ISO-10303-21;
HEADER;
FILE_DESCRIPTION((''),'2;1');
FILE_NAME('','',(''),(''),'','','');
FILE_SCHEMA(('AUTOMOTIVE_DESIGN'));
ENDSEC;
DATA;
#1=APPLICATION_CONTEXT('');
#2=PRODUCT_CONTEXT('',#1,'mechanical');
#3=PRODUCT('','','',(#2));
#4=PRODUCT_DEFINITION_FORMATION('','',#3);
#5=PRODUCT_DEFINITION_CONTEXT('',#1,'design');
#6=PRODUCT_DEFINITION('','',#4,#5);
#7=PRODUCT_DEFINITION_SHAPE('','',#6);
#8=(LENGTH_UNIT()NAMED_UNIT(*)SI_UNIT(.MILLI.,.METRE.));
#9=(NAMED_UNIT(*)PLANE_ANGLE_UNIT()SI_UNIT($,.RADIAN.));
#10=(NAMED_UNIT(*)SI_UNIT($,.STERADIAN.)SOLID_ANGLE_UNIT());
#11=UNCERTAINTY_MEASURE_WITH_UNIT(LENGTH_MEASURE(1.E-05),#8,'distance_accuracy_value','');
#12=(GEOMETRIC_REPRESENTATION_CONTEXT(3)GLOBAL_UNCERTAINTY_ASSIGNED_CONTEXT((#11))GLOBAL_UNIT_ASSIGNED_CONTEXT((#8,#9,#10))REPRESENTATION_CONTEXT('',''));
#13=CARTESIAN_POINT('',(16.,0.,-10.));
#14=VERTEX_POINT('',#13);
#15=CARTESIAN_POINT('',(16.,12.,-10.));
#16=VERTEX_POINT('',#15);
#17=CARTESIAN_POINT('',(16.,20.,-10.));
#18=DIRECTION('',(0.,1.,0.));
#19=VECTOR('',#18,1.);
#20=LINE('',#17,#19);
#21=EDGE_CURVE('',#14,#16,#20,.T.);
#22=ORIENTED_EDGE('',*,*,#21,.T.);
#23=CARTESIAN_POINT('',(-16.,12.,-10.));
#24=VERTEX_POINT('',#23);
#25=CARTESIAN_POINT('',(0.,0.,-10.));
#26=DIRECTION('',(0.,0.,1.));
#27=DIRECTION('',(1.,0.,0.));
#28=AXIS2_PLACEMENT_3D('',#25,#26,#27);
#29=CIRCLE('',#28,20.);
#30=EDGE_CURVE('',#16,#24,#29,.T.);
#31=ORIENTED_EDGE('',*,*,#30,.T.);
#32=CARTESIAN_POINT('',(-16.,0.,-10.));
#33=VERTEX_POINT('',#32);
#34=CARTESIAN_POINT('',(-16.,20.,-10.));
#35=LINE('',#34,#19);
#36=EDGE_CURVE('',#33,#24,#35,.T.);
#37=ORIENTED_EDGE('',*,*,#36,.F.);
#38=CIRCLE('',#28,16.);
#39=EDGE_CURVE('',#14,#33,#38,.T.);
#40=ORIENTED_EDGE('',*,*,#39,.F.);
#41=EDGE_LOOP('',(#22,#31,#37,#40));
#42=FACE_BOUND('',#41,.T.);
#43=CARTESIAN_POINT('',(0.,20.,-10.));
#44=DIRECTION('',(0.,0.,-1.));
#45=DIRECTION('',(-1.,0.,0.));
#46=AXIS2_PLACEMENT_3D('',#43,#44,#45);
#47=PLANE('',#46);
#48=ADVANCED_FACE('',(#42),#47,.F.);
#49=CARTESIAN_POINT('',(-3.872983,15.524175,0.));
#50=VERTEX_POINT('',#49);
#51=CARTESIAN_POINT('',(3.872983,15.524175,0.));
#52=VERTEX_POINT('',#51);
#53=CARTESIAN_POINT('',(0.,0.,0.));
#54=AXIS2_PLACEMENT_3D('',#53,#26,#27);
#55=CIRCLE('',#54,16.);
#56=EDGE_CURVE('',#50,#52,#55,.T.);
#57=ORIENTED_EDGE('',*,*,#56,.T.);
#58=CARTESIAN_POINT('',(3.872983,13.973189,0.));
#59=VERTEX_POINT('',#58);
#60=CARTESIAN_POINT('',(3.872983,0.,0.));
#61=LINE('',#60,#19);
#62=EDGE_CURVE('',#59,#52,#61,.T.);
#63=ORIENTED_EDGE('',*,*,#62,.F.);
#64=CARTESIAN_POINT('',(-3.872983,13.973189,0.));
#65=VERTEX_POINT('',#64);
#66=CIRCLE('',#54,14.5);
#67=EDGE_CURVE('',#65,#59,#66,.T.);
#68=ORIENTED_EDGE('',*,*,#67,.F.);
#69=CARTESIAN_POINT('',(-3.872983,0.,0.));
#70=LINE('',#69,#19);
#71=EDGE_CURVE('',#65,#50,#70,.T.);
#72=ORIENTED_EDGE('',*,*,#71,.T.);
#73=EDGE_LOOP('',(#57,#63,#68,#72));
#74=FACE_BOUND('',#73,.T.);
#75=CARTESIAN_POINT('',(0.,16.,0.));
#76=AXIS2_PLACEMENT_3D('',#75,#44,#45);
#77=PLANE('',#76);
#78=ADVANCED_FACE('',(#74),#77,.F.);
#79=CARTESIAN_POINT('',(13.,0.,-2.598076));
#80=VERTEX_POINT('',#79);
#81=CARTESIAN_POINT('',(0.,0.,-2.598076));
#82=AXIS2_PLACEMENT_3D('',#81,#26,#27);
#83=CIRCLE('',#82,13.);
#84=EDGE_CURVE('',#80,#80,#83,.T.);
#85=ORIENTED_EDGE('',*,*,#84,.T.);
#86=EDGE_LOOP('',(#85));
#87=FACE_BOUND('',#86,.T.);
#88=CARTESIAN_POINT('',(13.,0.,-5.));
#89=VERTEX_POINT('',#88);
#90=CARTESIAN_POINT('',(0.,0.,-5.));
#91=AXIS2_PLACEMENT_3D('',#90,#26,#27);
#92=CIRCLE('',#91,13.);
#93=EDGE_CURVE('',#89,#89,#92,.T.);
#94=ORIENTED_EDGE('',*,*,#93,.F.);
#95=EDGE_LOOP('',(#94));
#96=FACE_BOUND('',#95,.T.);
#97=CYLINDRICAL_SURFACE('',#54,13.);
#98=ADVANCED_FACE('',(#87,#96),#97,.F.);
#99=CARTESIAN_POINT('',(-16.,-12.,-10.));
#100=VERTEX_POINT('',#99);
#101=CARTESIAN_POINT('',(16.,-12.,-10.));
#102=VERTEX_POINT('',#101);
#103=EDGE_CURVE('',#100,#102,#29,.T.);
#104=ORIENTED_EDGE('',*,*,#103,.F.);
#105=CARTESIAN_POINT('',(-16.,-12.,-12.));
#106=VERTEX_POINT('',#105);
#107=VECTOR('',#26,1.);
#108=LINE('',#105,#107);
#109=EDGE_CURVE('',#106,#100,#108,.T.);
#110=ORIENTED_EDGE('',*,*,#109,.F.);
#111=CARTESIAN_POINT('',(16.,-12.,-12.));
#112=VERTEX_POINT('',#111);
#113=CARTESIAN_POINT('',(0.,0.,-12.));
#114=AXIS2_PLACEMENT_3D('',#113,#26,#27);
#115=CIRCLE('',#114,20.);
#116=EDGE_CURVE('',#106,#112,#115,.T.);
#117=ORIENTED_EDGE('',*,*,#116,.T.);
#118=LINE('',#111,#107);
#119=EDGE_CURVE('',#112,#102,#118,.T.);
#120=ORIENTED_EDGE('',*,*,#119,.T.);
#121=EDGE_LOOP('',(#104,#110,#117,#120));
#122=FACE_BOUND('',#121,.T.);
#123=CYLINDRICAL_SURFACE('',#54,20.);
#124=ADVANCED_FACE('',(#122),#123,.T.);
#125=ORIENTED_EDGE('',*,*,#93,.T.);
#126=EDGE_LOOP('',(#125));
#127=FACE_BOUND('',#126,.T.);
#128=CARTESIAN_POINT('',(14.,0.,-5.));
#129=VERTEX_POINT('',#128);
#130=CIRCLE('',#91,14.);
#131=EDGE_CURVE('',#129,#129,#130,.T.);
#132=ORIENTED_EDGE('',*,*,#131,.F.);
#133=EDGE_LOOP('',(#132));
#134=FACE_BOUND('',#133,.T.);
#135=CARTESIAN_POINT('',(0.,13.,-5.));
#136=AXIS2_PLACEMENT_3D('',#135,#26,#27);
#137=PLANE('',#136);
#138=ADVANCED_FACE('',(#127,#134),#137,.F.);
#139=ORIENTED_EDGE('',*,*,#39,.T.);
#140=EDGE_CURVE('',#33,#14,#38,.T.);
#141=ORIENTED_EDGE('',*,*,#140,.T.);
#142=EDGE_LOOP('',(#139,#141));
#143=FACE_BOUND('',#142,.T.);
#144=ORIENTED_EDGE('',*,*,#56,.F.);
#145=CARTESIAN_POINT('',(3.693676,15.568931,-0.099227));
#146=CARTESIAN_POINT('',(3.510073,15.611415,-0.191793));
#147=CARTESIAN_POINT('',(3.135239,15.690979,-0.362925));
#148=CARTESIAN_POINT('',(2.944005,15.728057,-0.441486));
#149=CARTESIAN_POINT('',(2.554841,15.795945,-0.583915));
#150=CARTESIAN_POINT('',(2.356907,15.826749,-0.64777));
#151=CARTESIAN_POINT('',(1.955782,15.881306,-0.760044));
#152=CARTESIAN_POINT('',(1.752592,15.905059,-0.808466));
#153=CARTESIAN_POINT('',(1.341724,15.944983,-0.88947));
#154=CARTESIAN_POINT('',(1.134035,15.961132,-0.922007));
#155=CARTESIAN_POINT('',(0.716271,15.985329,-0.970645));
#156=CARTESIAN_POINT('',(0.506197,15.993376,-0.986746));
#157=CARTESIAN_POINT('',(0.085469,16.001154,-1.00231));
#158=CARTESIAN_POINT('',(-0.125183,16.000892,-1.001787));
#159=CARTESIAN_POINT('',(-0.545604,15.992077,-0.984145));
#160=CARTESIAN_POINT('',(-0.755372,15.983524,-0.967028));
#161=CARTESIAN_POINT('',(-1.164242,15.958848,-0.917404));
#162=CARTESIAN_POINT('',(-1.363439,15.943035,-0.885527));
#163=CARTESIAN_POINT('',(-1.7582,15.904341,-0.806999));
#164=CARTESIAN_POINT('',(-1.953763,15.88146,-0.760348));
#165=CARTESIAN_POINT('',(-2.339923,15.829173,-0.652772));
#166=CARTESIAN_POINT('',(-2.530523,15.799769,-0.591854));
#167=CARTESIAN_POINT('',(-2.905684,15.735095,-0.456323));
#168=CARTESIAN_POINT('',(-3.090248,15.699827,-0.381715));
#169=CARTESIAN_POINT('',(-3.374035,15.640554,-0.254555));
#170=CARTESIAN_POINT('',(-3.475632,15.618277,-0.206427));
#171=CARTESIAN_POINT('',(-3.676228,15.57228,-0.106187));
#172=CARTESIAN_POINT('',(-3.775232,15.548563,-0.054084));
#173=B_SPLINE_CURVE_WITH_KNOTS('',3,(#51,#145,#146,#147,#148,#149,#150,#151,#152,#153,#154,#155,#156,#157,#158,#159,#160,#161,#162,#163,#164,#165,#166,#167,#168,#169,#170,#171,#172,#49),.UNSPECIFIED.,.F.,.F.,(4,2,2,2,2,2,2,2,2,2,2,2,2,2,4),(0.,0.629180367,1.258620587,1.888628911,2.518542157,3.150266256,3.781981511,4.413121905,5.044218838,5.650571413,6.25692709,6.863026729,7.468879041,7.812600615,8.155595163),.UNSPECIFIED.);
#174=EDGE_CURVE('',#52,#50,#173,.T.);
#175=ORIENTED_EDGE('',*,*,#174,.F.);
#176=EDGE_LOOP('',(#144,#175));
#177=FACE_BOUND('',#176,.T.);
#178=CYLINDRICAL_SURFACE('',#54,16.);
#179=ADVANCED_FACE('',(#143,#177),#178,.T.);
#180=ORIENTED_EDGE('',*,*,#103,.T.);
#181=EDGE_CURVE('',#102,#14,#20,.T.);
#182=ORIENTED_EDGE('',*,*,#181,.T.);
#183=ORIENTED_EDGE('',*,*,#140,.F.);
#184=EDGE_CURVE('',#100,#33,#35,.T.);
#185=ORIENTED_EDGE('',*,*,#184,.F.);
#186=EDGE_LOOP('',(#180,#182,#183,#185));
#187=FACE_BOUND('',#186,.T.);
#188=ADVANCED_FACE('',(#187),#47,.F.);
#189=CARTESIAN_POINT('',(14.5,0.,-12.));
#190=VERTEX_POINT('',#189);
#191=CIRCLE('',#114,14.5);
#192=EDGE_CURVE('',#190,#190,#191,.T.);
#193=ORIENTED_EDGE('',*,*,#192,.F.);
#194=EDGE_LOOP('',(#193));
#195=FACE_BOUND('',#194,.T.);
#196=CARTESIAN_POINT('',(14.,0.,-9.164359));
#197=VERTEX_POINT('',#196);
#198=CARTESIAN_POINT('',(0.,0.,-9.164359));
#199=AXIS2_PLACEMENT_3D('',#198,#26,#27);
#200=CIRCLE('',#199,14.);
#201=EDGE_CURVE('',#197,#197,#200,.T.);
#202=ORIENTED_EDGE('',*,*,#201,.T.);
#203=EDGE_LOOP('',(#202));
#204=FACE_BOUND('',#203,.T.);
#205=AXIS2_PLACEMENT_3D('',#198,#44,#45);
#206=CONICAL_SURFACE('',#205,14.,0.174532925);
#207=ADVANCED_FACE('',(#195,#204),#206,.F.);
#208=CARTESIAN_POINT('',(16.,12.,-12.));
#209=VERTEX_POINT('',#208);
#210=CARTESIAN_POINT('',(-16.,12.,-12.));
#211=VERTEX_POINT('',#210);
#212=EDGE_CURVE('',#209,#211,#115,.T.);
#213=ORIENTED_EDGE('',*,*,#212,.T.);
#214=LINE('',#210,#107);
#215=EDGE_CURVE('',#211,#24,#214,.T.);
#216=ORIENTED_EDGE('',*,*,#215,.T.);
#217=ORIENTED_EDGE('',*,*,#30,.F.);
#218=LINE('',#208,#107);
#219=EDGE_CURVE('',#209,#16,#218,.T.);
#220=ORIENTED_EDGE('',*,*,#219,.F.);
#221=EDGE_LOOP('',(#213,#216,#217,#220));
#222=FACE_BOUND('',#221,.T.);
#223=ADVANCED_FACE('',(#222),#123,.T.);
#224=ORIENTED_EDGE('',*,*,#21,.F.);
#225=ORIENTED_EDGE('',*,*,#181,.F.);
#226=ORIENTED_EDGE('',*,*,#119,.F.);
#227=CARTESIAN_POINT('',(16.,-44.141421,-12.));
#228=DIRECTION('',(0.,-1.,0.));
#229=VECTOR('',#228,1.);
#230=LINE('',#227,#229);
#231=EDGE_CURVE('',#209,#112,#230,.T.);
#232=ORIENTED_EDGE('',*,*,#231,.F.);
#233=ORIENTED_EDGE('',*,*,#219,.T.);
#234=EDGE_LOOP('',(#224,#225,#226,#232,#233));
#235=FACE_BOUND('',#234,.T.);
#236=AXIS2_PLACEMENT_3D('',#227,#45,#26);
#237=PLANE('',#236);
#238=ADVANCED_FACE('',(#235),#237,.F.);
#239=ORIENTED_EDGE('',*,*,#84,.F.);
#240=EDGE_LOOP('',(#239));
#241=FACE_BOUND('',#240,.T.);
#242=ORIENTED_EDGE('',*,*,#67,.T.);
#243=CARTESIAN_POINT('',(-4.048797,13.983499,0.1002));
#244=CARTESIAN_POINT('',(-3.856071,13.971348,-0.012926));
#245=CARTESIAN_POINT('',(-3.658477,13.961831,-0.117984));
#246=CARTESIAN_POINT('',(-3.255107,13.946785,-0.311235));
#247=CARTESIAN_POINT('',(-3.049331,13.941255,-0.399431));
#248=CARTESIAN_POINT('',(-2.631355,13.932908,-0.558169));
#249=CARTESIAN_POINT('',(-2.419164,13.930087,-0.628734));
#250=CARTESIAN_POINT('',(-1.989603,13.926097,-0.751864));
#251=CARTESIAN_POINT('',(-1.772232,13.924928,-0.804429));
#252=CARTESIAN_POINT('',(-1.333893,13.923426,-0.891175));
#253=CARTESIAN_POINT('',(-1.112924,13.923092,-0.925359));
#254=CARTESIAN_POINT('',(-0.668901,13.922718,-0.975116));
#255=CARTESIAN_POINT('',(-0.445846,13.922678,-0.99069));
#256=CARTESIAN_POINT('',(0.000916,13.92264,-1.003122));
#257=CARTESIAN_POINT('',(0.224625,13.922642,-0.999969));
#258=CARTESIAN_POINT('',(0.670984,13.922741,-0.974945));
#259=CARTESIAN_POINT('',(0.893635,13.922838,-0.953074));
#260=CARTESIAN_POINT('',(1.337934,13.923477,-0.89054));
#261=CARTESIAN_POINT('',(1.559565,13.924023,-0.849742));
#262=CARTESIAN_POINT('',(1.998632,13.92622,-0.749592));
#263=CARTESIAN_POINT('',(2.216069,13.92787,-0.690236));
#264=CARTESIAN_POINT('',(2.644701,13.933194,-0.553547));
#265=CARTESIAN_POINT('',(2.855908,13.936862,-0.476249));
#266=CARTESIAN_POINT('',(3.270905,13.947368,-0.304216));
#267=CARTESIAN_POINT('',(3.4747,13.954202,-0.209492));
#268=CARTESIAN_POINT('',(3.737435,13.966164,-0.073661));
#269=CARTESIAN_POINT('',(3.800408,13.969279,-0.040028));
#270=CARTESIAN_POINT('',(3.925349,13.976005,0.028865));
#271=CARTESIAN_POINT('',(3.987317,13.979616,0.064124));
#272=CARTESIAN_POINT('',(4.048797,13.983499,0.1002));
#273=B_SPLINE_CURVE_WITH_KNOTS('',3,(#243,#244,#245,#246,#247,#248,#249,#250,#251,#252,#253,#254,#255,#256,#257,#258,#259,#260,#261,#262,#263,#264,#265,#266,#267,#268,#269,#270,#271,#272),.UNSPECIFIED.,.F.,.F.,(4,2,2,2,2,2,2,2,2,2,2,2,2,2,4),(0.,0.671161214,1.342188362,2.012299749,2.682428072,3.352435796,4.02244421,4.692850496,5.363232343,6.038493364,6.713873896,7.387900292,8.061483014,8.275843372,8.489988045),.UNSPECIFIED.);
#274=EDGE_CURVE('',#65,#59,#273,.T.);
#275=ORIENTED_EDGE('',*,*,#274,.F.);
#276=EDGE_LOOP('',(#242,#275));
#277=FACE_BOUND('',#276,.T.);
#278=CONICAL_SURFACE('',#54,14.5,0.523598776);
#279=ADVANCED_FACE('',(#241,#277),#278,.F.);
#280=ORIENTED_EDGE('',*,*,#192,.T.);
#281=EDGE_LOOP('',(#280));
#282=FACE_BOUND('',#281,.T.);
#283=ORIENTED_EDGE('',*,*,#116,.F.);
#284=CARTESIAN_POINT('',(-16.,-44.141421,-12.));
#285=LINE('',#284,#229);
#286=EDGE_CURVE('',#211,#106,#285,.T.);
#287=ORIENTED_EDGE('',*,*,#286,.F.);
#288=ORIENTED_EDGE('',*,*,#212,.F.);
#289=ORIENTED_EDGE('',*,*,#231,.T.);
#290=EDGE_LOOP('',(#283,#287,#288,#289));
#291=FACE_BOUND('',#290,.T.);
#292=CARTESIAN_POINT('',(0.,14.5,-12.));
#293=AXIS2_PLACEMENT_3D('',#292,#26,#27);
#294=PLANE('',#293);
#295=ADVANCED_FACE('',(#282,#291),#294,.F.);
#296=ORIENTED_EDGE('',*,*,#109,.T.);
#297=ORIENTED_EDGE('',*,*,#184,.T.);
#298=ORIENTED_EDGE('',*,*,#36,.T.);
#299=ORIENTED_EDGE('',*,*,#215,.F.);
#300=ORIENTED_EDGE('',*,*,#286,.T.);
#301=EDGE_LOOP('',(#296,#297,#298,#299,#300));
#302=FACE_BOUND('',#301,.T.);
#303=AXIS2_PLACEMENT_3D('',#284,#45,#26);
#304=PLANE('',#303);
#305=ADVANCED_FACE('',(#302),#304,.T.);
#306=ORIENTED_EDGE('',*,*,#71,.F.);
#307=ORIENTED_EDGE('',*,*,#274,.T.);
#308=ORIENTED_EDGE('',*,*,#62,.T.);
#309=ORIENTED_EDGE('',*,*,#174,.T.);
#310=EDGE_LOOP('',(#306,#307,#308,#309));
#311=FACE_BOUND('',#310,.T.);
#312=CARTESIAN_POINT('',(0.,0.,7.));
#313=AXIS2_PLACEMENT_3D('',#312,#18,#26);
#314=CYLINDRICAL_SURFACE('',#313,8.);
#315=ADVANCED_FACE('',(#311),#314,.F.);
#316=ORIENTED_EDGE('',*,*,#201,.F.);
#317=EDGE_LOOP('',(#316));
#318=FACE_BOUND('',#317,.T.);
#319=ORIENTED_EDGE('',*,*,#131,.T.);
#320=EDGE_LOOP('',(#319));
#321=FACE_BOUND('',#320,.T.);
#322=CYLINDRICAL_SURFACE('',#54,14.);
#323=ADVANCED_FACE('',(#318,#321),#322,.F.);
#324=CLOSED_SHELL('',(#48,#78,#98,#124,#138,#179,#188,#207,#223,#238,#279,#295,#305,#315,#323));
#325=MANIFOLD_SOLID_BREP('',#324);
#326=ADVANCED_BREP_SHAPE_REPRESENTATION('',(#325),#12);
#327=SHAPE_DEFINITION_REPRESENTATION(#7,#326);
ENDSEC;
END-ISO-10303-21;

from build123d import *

# Parameters (mm, degrees)
CUT_EXTRUDE_1_DEPTH      = 11
CUT_EXTRUDE_1_DEPTH_BACK = 3
CUT_EXTRUDE_2_DEPTH      = 21


with BuildPart() as part:
    # Эскиз1 → Повернуть1 (revolve)
    with BuildSketch(Plane(origin=(0, 0, 0), x_dir=(0, 0, -1), z_dir=(1, 0, 0))):
        Polygon((2.598076211, 13), (5, 13), (5, 14), (9.16435909, 14), (12, 14.5), (12, 20), (10, 20), (10, 16), (0, 16), (0, 14.5), align=None)
    revolve(axis=Axis((0, 0, 0), (0, 0, -1)))

    # Эскиз2 → Вырез-Вытянуть1 (cut, two sides)
    with BuildSketch(Plane.XY.offset(-10)) as cut_extrude_1_sk:
        with BuildLine():
            Line((-16, -12), (-16, 12))
            ThreePointArc((-16, 12), (-20, 0), (-16, -12))
        make_face()
        with BuildLine():
            ThreePointArc((20, 0), (18.973665961, 6.32455532), (16, 12))
            Line((16, 12), (16, -12))
            ThreePointArc((16, -12), (18.973665961, -6.32455532), (20, 0))
        make_face()
    extrude(amount=CUT_EXTRUDE_1_DEPTH, mode=Mode.SUBTRACT)
    extrude(cut_extrude_1_sk.sketch, amount=-CUT_EXTRUDE_1_DEPTH_BACK, mode=Mode.SUBTRACT)

    # Эскиз3 → Вырез-Вытянуть2 (cut, through all)
    with BuildSketch(Plane(origin=(0, 0, 0), x_dir=(1, 0, 0), z_dir=(0, 1, 0))):
        with BuildLine():
            Line((-53.249204779, -27.319040473), (-3.872983346, 0))
            ThreePointArc((-3.872983346, 0), (0, 1), (3.872983346, 0))
            Line((3.872983346, 0), (53.249204779, -27.319040473))
            Line((53.249204779, -27.319040473), (53.249204779, -140.178975177))
            Line((53.249204779, -140.178975177), (-53.249204779, -140.178975177))
            Line((-53.249204779, -140.178975177), (-53.249204779, -27.319040473))
        make_face()
    extrude(amount=CUT_EXTRUDE_2_DEPTH, mode=Mode.SUBTRACT)


solid = part.part
